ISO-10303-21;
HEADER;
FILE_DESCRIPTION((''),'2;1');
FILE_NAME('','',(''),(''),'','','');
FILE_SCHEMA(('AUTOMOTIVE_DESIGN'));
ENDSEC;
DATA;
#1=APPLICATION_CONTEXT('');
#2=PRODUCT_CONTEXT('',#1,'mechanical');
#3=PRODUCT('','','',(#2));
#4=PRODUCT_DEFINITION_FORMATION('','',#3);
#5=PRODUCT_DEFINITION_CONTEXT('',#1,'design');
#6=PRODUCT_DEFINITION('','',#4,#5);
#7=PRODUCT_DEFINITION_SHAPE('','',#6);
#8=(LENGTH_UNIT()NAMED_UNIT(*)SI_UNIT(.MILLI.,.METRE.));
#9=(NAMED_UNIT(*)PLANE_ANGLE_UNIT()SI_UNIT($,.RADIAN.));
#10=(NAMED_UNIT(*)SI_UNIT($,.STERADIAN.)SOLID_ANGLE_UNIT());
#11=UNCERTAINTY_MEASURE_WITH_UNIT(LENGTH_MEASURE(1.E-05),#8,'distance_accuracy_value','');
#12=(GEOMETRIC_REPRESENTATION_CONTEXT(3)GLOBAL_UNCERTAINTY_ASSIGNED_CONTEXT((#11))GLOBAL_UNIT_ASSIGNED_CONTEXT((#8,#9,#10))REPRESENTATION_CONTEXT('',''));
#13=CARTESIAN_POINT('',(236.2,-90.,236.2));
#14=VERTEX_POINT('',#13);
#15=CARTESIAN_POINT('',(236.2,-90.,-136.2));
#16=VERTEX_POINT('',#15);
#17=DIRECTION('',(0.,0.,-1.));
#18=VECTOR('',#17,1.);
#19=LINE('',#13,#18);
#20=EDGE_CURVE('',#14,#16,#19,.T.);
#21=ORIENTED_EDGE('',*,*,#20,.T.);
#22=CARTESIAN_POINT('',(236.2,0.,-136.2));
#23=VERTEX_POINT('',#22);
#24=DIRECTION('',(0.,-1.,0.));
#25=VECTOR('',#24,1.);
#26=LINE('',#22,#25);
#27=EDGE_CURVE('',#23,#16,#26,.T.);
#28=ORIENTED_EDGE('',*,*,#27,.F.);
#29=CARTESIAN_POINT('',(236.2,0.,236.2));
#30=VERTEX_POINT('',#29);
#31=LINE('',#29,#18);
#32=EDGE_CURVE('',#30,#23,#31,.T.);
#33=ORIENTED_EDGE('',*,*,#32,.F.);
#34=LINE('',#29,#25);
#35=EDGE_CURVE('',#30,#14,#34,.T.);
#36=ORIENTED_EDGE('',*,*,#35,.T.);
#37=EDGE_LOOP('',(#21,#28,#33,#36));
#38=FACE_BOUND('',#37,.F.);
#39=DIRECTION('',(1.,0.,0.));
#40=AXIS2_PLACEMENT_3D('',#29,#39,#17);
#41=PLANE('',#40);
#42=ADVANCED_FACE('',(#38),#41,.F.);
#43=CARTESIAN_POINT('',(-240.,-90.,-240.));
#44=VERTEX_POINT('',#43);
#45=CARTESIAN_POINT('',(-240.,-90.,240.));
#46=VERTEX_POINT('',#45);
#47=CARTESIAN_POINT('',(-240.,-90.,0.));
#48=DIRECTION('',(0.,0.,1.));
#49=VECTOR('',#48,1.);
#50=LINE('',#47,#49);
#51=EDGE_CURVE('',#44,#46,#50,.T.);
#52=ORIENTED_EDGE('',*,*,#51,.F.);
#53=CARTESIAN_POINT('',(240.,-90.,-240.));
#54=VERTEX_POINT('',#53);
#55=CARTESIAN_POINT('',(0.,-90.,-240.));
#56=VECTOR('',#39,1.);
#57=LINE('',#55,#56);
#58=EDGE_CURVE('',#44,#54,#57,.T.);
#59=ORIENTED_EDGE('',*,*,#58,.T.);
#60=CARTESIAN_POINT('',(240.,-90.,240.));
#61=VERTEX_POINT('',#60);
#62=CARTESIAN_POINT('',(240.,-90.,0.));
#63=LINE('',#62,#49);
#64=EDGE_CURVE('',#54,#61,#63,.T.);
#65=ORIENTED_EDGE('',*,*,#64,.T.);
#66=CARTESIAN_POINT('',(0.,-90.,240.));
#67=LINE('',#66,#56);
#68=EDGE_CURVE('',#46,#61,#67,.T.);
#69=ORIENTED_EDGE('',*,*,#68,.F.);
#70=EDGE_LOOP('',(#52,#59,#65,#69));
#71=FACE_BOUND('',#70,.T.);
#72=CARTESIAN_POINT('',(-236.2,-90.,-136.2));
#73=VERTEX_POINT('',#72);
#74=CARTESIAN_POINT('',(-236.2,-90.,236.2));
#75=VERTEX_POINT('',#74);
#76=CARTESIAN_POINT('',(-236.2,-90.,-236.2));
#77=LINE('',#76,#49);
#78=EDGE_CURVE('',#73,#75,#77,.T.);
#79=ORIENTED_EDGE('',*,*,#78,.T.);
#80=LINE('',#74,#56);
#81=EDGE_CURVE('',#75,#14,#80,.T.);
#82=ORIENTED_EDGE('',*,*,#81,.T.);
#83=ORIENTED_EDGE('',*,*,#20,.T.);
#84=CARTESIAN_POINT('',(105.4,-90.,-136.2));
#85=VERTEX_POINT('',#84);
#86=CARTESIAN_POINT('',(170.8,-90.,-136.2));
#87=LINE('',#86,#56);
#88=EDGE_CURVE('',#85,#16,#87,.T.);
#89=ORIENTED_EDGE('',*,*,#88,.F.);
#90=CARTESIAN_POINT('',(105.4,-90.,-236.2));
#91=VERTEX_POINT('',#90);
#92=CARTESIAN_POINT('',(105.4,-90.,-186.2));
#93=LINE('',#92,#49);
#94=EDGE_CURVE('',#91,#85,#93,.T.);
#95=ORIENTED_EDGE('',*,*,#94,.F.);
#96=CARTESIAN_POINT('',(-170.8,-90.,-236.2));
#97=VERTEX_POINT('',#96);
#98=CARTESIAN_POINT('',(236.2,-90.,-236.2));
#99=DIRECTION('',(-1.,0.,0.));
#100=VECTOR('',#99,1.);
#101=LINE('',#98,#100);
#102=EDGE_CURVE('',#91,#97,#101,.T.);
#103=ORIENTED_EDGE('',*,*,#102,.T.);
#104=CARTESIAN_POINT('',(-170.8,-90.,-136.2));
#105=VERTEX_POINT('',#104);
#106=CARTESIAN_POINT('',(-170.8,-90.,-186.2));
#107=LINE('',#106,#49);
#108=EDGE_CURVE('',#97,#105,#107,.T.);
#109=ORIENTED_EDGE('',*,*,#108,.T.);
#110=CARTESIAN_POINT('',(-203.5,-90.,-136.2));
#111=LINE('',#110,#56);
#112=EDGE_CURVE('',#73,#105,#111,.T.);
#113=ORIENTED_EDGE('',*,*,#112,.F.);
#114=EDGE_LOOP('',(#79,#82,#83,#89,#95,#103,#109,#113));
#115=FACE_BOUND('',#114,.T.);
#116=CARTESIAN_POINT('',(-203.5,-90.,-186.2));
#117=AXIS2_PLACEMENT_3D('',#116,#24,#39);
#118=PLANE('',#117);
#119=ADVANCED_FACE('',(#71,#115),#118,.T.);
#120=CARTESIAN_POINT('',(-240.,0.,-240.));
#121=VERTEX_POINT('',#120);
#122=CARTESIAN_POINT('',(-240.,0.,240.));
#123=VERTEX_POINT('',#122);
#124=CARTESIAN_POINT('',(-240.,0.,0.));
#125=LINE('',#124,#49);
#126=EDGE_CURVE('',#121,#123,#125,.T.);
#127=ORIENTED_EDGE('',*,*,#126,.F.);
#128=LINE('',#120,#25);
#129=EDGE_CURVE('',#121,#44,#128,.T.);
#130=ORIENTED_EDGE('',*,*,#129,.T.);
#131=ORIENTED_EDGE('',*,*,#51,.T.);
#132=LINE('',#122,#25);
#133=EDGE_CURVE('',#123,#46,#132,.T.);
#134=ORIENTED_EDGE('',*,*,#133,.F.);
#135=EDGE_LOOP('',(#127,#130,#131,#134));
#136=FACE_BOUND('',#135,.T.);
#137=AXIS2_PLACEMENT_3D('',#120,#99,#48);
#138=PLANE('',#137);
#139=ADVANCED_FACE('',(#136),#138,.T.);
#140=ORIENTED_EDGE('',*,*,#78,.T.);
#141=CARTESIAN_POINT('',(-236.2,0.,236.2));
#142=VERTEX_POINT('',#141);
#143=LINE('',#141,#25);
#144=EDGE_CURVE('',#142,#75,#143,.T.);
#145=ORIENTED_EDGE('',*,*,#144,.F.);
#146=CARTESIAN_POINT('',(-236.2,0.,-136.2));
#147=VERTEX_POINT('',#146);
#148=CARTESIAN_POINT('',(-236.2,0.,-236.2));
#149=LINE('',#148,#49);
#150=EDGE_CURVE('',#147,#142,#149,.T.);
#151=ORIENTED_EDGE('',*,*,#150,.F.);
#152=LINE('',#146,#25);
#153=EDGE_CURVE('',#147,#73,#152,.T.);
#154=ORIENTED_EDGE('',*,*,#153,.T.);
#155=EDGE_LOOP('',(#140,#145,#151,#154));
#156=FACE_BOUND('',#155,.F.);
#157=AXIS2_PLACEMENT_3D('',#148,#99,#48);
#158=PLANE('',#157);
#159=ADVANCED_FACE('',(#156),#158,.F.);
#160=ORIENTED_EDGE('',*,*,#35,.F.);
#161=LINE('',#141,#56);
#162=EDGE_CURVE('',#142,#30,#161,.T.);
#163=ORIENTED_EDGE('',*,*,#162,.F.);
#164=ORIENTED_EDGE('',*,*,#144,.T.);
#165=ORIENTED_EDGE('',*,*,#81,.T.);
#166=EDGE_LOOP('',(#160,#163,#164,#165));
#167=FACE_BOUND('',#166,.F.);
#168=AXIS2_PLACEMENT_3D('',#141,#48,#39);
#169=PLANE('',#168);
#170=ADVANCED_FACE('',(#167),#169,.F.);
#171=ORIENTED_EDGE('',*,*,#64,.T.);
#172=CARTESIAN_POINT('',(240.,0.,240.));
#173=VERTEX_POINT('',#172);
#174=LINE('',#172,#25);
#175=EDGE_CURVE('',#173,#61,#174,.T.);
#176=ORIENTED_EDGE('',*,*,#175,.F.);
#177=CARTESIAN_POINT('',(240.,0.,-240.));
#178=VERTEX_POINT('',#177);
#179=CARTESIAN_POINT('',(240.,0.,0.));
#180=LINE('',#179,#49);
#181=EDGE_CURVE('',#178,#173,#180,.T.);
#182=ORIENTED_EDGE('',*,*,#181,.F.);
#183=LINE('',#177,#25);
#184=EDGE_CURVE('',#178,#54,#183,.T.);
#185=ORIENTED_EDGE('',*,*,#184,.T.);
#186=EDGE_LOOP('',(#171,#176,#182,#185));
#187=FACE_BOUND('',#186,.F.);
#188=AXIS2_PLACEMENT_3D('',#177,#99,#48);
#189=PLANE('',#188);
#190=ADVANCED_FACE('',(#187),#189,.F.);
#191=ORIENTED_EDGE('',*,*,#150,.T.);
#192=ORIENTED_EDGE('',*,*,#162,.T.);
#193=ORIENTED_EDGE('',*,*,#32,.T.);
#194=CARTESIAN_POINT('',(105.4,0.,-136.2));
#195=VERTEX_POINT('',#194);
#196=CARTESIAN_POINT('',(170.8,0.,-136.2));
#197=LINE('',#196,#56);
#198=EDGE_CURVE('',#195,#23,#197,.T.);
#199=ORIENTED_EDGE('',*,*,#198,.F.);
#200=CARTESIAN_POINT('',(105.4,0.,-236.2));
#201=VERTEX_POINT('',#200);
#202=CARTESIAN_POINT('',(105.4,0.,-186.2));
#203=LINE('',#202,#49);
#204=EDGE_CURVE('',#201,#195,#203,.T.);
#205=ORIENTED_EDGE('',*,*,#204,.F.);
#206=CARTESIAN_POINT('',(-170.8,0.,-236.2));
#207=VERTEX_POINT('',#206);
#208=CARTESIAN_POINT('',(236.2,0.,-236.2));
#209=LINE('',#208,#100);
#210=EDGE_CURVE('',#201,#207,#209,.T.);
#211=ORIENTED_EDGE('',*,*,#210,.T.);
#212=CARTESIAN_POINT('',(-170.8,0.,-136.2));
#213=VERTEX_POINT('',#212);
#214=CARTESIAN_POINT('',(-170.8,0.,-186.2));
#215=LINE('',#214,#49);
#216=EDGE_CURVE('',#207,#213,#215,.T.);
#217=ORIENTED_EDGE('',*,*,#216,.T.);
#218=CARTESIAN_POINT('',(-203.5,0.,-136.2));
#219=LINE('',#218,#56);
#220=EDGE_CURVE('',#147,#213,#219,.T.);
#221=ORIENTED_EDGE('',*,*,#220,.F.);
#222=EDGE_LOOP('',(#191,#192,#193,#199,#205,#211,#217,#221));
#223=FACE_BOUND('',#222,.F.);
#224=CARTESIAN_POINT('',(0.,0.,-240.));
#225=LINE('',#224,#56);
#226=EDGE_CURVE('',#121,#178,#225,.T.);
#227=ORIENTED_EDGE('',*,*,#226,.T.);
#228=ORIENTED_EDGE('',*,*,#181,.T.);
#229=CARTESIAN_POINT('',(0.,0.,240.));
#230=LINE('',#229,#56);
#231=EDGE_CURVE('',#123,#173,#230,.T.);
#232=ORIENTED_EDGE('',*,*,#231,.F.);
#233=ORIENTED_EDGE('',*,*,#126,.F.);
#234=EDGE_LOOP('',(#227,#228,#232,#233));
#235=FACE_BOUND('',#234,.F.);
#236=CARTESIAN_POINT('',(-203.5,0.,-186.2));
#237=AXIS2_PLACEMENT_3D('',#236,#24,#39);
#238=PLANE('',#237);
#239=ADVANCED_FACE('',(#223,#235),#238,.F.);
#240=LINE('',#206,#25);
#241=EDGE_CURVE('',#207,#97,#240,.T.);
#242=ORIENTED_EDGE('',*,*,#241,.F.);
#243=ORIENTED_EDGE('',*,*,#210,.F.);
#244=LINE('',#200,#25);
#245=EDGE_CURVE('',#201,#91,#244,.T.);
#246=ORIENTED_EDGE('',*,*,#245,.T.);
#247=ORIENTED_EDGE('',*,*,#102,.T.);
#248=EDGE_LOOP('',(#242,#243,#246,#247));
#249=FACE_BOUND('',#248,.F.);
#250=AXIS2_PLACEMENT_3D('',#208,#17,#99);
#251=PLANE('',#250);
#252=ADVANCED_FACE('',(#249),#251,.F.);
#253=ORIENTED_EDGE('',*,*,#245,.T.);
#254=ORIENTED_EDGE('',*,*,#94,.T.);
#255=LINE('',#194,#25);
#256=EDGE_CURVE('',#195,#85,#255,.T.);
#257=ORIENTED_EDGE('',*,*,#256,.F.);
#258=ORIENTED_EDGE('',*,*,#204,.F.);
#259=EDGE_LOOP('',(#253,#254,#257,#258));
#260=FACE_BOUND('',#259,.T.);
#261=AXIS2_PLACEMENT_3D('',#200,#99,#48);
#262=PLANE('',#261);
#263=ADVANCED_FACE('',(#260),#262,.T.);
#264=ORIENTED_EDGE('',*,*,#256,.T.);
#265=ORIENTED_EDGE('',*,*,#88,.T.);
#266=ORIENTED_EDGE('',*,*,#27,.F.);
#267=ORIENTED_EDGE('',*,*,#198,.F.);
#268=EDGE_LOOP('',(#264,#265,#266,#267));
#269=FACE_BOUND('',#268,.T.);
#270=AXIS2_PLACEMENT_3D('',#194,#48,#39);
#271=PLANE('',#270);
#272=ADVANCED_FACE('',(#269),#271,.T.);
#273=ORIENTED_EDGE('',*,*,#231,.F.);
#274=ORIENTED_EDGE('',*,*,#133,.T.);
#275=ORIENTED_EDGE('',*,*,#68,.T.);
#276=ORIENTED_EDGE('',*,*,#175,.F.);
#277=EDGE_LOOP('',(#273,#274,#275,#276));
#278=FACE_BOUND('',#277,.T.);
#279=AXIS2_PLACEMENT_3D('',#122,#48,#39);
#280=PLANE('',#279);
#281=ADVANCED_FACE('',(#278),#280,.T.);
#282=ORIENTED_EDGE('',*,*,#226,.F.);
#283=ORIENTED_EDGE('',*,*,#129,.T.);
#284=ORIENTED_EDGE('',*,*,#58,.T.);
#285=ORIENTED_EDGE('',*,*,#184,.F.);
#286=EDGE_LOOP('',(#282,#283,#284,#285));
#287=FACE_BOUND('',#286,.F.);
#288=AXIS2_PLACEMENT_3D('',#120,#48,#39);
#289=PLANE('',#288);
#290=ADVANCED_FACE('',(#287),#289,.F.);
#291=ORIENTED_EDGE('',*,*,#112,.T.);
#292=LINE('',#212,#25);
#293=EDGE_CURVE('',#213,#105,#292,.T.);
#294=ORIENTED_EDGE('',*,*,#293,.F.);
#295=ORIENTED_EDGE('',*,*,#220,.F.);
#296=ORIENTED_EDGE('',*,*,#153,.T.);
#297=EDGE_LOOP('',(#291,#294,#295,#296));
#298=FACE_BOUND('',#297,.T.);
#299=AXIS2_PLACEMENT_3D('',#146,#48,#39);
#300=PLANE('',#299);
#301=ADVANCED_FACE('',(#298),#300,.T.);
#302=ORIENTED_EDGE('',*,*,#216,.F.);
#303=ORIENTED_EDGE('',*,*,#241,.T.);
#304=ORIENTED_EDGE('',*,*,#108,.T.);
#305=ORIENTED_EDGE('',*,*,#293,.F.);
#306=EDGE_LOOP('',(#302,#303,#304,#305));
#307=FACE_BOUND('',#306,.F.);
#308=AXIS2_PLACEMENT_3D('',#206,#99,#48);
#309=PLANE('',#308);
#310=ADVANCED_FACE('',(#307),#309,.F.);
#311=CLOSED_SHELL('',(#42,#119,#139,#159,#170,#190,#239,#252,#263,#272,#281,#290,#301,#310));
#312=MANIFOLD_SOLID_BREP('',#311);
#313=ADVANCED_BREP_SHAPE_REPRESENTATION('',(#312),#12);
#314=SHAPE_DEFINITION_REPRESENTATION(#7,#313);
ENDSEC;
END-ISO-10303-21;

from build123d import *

# Parameters (mm, degrees)
F0_W     = 480
F0_H     = 480
F1_DEPTH = 90
F0_W_2   = 65.4
F0_H_2   = 100
F0_W_3   = 130.8
F2_DEPTH = 90


with BuildPart() as f1:
    # F0 (on Front) → F1 (new body)
    with BuildSketch(Plane.XZ):
        Rectangle(F0_W, F0_H)
        Polygon((-170.8, -236.2), (-236.2, -236.2), (-236.2, -136.2), (-236.2, 236.2), (236.2, 236.2), (236.2, -136.2), (236.2, -236.2), (105.4, -236.2), align=None, mode=Mode.SUBTRACT)
    extrude(amount=F1_DEPTH)

    # F0 (on Front) → F2 (join)
    with BuildSketch(Plane.XZ):
        with Locations((-203.5, -186.2)):
            Rectangle(F0_W_2, F0_H_2)
        with Locations((170.8, -186.2)):
            Rectangle(F0_W_3, F0_H_2)
    extrude(amount=F2_DEPTH)


solid = f1.part
